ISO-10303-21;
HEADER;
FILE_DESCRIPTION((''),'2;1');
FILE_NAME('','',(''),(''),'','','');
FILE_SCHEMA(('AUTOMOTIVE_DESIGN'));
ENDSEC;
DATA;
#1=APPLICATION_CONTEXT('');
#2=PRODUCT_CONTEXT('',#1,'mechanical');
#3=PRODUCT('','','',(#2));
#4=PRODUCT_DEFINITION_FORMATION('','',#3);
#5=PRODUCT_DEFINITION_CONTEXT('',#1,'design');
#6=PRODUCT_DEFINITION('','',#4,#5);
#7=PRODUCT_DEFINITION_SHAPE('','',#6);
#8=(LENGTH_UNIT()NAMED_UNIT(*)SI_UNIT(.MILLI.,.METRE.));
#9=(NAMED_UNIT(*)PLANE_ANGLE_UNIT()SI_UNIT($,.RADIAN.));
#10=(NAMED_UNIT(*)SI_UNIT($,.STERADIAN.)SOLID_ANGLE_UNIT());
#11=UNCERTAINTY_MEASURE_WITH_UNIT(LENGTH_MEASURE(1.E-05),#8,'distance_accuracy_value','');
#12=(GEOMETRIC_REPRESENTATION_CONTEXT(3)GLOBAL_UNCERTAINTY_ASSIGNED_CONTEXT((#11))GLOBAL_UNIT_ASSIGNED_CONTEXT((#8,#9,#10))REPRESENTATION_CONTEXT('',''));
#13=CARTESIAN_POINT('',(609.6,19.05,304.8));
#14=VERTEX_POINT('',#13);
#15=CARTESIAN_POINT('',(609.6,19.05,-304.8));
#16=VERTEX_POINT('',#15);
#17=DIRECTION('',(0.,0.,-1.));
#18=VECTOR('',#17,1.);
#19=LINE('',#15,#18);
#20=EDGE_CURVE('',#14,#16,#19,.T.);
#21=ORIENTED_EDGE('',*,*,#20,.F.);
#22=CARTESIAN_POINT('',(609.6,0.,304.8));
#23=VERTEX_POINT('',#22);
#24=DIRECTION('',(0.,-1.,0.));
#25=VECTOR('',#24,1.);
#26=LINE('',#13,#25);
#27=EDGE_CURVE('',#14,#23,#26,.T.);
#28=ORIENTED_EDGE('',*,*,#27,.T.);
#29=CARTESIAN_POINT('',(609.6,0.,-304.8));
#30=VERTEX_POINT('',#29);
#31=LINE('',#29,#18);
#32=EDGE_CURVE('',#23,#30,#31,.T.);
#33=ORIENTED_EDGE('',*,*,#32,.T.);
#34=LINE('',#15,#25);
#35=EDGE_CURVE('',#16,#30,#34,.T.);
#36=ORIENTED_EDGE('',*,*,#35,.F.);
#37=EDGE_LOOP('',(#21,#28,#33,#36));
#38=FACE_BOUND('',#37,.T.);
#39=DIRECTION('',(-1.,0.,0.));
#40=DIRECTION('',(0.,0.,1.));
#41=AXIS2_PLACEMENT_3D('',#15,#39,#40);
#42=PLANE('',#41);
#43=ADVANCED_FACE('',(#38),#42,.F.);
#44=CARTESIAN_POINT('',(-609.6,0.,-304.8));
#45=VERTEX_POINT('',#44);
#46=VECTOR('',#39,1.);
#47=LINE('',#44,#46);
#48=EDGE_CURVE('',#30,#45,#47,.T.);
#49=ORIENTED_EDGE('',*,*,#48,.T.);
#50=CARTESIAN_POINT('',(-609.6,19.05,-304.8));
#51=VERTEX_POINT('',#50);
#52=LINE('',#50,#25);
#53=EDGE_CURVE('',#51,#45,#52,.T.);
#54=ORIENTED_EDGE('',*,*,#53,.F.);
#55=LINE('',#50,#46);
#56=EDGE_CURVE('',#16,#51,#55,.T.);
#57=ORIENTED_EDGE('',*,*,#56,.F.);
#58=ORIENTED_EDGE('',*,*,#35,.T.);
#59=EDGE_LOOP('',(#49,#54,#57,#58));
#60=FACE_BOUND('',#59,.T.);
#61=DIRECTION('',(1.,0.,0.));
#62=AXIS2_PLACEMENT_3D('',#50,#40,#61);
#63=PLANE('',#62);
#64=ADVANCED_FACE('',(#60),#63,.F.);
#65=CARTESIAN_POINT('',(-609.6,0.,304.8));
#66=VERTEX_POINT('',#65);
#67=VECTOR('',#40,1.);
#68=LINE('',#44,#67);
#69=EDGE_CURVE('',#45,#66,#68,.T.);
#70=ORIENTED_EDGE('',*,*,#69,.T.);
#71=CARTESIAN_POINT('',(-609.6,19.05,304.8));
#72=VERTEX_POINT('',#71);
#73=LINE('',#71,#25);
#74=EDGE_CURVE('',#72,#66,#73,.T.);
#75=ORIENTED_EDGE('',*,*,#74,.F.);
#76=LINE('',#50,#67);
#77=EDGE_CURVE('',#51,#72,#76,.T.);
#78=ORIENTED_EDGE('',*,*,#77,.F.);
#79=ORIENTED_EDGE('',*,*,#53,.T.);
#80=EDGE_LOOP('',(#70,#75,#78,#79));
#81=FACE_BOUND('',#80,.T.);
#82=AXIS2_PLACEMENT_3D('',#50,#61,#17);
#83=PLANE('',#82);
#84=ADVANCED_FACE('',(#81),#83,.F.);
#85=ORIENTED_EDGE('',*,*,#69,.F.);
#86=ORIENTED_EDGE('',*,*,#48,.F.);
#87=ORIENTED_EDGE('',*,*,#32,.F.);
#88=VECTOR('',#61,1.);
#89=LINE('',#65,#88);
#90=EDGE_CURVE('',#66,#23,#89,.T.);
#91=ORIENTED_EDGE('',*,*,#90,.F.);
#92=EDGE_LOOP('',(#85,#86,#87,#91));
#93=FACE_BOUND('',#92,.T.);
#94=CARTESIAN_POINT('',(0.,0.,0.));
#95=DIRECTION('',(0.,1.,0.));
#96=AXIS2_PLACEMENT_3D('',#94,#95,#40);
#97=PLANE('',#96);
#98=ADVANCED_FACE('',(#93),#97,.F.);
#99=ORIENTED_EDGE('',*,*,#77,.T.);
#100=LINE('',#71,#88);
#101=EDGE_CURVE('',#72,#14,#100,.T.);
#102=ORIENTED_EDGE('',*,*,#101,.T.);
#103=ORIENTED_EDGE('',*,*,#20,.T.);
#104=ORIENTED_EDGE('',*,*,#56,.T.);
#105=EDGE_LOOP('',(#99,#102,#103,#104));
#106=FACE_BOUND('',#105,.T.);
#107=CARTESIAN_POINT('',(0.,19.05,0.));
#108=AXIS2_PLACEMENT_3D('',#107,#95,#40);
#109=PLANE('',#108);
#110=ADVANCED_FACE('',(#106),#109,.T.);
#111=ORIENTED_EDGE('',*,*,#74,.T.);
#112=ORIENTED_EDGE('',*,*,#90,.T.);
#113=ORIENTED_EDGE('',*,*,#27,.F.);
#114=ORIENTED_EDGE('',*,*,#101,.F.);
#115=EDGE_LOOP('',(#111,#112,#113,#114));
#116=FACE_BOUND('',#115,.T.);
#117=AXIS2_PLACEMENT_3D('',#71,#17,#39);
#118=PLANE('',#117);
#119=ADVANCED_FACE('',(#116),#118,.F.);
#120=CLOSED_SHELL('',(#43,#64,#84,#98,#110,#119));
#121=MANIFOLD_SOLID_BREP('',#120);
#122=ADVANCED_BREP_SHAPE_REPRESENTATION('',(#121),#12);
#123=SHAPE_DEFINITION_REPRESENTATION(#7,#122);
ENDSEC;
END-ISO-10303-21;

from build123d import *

# Parameters (mm, degrees)
SKETCH1_W           = 1219.2
SKETCH1_H           = 609.6
BOSS_EXTRUDE1_DEPTH = 19.05


with BuildPart() as part:
    # Sketch1 → Boss-Extrude1 (new body)
    with BuildSketch(Plane(origin=(0, 0, 0), x_dir=(1, 0, 0), z_dir=(0, 1, 0))):
        Rectangle(SKETCH1_W, SKETCH1_H)
    extrude(amount=BOSS_EXTRUDE1_DEPTH)


solid = part.part
